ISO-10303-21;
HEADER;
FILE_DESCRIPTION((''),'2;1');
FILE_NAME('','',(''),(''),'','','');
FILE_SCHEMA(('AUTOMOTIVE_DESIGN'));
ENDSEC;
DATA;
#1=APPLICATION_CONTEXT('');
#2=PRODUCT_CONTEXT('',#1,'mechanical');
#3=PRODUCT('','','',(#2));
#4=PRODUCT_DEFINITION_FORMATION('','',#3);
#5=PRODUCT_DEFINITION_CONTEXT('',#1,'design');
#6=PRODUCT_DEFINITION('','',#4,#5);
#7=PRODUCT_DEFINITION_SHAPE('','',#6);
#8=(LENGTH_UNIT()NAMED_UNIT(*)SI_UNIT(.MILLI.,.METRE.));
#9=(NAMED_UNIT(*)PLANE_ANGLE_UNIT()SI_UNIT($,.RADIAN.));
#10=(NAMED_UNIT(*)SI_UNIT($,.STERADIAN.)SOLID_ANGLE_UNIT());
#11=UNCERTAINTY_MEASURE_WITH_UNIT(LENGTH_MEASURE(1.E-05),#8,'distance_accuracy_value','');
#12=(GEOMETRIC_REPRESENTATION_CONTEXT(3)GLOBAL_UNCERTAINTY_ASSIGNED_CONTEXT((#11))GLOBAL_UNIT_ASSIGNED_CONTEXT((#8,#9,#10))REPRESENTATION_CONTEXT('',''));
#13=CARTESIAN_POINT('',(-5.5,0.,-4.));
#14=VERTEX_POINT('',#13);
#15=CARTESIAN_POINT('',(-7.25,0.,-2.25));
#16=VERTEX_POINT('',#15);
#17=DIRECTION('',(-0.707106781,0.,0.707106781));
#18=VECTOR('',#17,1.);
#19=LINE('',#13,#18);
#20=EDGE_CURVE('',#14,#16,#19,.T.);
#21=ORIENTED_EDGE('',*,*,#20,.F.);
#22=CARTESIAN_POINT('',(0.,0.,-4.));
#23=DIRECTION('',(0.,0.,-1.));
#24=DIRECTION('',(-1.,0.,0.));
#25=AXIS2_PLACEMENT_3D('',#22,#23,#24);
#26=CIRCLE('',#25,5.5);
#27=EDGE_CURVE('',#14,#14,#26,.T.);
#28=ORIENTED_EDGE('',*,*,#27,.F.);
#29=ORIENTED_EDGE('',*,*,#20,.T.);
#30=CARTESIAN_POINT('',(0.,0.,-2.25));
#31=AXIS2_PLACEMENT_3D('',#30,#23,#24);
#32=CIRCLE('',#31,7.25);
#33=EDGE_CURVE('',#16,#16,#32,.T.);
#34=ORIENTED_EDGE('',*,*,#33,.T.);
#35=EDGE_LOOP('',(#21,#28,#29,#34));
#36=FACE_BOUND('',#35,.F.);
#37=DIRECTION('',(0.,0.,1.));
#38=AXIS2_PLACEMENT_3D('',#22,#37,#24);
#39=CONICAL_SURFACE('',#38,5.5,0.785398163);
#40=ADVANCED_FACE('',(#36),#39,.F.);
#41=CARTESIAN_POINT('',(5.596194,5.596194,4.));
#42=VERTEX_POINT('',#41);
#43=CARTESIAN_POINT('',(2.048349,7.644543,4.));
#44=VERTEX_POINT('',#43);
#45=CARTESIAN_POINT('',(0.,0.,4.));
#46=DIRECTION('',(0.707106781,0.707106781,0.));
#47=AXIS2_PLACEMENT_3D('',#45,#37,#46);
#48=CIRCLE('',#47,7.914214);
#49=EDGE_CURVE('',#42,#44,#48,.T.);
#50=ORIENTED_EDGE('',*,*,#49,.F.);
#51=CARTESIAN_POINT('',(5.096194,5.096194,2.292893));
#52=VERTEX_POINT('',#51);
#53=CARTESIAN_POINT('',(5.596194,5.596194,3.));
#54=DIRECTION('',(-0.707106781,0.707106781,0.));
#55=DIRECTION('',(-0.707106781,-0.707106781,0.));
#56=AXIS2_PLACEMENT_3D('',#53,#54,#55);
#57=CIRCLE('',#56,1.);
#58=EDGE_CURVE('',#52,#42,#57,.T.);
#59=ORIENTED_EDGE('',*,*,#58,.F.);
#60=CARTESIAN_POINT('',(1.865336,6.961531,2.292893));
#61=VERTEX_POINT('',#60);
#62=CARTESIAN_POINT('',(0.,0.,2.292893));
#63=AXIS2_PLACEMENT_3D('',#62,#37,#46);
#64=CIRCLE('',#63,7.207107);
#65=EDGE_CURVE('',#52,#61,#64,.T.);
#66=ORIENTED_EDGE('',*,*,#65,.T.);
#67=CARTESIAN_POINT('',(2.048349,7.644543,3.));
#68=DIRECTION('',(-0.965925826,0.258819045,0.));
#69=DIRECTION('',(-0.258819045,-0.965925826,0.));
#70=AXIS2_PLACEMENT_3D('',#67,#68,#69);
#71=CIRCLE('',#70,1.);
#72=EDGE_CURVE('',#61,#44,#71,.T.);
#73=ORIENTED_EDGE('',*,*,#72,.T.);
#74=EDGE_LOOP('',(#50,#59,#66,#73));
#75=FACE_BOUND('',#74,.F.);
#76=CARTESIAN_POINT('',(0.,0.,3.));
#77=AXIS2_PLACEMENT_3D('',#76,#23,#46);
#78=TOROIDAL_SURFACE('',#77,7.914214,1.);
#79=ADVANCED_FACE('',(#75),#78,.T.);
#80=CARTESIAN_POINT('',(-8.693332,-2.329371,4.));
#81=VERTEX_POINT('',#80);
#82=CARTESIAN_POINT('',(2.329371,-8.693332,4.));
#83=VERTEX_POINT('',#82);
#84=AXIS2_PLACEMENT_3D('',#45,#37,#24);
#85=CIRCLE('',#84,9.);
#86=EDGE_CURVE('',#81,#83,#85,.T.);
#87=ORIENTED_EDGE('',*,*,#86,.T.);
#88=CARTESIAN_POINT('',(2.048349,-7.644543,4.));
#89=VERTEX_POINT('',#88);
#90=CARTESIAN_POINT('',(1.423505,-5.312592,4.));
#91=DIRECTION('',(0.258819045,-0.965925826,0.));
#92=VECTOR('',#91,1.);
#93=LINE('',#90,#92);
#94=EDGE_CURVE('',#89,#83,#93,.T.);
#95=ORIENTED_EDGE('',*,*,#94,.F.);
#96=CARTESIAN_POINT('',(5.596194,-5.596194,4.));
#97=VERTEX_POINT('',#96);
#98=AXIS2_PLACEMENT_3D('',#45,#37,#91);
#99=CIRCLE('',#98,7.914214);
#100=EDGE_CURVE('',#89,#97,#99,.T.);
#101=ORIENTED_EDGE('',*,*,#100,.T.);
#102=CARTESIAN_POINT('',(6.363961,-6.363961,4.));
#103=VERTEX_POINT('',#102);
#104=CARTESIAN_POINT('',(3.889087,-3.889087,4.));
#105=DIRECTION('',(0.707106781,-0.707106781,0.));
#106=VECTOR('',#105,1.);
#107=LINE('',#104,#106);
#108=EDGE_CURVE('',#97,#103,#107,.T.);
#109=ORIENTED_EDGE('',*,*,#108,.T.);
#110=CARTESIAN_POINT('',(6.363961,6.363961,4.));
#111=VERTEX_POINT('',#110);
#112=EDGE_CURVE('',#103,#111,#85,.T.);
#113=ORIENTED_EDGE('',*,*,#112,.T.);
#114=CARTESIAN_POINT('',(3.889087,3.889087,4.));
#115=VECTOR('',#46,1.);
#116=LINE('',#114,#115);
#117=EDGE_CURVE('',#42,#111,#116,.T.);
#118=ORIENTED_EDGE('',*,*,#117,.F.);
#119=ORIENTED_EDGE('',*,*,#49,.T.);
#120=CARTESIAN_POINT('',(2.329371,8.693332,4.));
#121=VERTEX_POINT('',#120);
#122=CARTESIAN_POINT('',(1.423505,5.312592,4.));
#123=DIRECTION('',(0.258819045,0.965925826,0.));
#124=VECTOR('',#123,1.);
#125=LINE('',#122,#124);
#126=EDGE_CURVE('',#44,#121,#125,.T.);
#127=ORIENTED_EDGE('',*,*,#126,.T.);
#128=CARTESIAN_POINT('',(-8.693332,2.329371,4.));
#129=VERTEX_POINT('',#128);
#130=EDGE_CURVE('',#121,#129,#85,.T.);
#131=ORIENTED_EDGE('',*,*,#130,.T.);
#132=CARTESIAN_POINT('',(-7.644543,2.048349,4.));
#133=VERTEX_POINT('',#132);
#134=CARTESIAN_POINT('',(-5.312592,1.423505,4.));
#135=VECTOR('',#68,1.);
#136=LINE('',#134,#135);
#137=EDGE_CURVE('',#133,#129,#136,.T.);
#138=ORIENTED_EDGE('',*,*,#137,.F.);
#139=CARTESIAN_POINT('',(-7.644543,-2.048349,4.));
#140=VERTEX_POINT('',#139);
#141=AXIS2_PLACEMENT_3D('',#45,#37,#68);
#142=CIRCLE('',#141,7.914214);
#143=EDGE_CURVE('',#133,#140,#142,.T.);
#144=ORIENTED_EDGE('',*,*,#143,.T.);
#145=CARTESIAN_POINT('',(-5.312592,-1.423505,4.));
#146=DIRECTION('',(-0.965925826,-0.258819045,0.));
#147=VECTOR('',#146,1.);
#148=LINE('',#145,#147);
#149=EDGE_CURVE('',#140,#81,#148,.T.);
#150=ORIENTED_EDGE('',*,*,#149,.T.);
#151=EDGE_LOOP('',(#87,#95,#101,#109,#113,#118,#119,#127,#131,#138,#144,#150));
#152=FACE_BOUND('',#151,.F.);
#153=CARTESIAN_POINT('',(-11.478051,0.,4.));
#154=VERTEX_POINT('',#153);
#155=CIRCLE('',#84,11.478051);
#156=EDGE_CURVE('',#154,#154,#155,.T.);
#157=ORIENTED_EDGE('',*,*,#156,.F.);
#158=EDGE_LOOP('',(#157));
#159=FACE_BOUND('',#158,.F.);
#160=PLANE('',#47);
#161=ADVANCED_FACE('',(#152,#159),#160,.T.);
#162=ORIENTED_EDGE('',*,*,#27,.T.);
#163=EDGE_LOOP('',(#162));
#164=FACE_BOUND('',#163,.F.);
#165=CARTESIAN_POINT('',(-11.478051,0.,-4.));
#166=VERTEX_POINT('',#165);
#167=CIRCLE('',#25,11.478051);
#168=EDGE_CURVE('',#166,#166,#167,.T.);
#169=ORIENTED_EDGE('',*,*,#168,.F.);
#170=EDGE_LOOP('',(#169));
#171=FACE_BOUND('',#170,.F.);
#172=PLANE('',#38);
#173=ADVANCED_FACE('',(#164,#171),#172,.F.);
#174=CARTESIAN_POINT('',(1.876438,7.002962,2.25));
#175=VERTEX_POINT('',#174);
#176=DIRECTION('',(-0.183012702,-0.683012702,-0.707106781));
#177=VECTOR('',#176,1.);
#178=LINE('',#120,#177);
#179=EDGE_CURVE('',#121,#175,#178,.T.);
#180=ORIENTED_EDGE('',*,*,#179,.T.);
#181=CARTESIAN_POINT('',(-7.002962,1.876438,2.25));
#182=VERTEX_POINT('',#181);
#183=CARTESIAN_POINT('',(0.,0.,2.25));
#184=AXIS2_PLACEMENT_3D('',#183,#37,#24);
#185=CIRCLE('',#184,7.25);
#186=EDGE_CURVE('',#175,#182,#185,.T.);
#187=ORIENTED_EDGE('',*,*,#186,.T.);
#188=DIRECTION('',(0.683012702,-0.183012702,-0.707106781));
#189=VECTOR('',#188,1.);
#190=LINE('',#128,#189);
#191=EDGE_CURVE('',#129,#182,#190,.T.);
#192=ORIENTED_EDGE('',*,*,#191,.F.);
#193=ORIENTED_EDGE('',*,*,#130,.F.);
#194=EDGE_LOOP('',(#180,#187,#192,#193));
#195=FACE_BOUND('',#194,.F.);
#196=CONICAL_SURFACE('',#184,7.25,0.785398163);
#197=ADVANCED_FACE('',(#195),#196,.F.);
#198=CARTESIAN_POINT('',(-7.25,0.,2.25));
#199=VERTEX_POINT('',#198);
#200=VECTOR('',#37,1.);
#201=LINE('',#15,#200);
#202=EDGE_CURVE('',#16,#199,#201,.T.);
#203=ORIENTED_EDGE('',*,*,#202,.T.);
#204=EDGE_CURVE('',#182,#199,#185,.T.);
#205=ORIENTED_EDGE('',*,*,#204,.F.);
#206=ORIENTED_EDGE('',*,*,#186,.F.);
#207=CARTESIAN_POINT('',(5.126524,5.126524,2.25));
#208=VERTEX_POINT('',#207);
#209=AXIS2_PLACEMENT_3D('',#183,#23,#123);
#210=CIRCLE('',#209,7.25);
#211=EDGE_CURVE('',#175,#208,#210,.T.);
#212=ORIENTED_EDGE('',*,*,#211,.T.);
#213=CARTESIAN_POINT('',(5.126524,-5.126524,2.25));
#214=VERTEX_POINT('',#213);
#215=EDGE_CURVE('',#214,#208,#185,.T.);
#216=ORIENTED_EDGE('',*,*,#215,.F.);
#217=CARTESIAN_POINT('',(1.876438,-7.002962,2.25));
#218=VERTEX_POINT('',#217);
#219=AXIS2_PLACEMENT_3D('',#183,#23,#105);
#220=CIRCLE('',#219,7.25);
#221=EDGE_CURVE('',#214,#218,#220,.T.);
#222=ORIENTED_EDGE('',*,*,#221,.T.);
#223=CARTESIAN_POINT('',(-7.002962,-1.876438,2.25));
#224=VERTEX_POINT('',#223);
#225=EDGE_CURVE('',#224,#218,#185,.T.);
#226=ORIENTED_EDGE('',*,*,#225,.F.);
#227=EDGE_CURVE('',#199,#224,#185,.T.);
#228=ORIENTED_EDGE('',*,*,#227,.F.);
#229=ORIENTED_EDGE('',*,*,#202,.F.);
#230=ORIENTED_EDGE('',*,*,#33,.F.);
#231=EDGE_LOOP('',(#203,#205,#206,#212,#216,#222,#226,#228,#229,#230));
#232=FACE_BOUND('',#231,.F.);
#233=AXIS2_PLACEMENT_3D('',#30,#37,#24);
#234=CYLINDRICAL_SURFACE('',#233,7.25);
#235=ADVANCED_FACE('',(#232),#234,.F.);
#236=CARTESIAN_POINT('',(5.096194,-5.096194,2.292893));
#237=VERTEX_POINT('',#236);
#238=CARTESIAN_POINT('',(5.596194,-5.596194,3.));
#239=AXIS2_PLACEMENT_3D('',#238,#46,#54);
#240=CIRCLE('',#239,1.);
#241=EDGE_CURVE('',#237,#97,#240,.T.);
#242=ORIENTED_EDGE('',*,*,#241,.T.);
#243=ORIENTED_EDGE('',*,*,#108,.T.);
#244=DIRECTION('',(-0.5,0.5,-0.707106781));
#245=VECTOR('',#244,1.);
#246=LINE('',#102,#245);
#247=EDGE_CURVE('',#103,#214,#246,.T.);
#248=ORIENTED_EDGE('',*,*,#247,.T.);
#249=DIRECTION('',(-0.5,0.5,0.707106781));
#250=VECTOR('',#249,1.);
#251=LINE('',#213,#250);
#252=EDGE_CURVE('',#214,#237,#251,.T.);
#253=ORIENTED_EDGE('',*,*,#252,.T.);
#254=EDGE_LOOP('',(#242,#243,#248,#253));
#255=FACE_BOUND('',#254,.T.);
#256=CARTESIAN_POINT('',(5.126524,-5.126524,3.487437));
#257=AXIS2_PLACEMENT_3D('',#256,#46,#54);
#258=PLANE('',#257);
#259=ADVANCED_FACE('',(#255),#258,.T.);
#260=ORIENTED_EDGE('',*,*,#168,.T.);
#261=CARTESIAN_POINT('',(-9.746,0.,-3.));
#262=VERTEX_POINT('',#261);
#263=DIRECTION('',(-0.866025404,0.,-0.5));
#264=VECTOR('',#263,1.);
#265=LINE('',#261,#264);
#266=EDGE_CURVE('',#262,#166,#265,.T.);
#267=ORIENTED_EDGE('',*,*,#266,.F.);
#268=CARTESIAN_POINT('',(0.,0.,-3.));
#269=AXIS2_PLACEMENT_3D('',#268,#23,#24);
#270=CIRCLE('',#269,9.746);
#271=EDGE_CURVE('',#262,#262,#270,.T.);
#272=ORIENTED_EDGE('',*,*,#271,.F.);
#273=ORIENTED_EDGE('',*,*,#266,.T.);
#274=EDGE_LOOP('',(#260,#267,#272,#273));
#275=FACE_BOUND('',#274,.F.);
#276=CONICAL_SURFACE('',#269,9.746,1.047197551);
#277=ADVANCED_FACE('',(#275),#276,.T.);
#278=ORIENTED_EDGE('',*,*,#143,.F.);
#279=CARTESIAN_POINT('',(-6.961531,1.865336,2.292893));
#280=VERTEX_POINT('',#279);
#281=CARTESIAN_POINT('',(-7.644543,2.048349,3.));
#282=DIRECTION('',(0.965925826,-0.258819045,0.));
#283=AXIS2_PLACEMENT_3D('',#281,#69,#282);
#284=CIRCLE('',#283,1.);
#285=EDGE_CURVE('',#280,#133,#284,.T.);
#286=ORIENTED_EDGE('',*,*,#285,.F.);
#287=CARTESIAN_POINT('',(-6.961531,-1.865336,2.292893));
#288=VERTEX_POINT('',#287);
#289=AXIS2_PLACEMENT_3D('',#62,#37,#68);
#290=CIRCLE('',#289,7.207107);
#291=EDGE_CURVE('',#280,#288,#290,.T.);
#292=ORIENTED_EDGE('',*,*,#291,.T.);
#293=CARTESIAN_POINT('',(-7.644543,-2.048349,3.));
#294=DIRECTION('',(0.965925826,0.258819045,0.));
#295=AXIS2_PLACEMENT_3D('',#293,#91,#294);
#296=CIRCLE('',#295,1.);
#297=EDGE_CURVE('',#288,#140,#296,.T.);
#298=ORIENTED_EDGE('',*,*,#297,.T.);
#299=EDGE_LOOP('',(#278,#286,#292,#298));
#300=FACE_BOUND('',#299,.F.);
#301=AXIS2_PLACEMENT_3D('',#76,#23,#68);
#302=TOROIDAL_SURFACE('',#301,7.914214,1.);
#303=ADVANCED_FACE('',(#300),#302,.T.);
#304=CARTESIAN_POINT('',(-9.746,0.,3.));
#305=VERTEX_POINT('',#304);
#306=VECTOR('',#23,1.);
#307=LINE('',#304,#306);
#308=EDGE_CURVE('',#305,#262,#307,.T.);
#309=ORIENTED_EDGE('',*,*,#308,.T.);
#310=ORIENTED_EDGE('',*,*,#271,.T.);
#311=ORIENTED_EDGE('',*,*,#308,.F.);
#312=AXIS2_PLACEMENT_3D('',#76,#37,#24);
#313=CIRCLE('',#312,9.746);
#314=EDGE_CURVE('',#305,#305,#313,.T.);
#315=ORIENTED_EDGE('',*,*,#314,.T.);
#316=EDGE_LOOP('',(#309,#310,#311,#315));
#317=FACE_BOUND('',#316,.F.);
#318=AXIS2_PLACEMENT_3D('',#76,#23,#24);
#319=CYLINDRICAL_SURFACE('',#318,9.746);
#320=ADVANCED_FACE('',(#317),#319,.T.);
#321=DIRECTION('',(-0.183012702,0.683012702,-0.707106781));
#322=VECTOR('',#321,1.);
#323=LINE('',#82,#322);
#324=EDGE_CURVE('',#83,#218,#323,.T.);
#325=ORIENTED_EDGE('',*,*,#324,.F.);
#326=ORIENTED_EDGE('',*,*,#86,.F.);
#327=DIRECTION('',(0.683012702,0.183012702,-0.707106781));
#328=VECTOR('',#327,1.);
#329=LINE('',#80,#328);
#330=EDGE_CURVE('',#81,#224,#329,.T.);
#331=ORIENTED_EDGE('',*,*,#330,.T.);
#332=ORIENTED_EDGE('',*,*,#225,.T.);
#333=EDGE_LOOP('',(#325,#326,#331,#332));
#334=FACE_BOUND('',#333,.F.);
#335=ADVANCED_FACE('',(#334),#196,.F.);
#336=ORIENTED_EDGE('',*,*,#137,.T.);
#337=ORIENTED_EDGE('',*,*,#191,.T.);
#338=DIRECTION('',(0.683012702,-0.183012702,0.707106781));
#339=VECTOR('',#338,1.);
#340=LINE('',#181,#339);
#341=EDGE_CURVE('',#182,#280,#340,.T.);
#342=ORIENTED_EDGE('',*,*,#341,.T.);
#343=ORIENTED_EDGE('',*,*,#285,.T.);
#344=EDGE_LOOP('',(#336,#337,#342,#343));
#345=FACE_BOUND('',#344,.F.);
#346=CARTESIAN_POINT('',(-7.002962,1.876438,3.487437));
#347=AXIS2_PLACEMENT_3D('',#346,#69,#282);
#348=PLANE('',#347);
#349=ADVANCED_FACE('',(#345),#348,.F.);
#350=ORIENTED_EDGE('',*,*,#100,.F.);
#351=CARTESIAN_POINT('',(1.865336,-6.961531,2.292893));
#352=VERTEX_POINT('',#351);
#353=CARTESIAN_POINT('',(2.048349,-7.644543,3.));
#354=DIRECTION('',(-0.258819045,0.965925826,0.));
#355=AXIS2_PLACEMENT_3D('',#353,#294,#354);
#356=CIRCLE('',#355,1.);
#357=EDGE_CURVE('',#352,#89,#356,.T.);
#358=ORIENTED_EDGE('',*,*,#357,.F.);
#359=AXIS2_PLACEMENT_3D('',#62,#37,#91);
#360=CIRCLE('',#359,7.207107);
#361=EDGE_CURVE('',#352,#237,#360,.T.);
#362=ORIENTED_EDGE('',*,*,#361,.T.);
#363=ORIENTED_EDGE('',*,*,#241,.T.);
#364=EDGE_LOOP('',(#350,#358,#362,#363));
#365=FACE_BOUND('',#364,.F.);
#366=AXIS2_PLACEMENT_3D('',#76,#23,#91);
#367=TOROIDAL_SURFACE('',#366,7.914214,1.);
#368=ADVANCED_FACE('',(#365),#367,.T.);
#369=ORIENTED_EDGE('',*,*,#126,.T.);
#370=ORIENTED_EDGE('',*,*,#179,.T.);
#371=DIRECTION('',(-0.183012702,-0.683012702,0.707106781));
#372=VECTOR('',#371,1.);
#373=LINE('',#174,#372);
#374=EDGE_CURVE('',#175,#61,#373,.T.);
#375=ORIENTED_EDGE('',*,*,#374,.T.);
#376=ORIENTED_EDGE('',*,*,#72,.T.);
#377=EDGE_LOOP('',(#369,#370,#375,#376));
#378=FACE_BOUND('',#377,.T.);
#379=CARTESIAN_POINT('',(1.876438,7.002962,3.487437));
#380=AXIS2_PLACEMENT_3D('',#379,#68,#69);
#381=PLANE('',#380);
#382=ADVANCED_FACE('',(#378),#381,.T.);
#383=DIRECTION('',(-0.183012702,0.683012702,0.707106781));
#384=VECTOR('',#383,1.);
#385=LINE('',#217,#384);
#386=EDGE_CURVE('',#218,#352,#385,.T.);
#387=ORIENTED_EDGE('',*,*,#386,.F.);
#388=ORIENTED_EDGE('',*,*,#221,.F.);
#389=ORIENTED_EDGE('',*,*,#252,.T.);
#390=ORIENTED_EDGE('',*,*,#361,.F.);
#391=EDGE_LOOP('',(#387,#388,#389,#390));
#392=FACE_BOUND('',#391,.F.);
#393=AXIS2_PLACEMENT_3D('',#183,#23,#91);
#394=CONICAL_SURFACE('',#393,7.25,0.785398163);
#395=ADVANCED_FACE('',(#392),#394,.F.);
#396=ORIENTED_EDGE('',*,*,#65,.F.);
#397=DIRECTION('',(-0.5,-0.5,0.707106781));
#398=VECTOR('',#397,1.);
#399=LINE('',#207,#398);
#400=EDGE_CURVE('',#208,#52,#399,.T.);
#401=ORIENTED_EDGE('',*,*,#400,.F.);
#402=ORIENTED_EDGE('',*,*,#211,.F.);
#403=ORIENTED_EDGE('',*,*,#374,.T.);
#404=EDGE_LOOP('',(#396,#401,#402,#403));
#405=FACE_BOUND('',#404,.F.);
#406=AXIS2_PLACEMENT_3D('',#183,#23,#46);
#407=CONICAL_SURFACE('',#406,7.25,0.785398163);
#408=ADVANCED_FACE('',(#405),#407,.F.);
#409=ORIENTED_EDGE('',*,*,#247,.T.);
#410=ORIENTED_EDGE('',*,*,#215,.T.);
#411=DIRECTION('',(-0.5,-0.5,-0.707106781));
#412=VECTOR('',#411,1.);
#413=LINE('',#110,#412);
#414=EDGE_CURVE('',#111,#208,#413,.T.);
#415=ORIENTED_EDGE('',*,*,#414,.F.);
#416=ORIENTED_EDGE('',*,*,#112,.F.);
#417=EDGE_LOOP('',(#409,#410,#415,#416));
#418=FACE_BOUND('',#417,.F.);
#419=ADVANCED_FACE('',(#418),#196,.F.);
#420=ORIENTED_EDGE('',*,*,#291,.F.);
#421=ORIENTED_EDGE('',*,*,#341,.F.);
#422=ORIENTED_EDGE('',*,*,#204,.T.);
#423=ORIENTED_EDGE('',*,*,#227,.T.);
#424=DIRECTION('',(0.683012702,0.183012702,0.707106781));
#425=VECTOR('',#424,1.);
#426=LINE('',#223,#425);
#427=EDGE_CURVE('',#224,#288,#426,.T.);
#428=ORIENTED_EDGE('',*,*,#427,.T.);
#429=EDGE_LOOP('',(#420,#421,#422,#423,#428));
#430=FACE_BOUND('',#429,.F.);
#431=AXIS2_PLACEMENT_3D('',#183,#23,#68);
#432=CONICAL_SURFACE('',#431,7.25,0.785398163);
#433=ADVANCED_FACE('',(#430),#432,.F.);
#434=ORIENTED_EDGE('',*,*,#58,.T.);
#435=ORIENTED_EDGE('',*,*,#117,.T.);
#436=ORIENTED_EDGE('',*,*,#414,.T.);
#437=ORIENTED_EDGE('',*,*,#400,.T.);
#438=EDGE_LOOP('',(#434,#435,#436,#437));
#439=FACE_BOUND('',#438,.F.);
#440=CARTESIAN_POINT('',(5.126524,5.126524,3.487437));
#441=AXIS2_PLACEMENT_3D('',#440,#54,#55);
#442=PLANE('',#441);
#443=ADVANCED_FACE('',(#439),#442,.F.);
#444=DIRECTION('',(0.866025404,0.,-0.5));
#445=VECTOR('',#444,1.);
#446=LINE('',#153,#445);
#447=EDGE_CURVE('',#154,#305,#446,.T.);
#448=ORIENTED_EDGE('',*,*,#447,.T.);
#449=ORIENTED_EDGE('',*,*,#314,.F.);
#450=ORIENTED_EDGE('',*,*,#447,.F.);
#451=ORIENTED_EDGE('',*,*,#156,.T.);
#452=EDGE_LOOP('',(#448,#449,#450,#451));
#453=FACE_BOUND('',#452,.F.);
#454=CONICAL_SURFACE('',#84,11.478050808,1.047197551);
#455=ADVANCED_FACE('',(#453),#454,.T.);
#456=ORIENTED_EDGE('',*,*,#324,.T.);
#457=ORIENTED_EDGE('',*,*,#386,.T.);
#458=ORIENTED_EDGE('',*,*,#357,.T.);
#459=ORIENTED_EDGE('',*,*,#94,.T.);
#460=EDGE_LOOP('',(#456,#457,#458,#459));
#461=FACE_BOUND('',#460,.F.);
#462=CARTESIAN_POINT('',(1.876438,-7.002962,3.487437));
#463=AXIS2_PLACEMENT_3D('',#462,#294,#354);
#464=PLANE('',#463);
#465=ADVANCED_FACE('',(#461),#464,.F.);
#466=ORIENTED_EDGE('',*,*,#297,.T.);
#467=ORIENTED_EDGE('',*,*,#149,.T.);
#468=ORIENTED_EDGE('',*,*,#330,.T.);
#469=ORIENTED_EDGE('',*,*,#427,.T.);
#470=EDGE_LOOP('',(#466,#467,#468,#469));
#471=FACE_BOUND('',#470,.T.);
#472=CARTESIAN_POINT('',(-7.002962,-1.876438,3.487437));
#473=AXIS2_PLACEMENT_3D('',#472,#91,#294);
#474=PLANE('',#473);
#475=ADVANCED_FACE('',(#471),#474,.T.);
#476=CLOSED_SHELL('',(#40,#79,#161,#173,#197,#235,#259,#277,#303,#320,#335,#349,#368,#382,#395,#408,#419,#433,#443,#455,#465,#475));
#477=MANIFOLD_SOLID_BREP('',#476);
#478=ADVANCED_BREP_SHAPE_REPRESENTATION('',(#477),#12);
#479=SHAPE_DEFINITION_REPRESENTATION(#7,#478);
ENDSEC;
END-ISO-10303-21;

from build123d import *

# Parameters (mm, degrees)
F2_ANGLE_BACK = 15
F2_ANGLE      = 30
F3_COUNT      = 3
F4_R          = 1


with BuildPart() as f1:
    # F0 (on Front) → F1 (revolve)
    with BuildSketch(Plane.XZ):
        Polygon((-7.25, -2.25), (-7.25, 2.25), (-9, 4), (-11.4780508076, 4), (-9.746, 3), (-9.746, -3), (-11.4780508076, -4), (-5.5, -4), align=None)
    revolve(axis=Axis((0, 0, 0), (0, 0, 1)))

    # F0 (on Front) → F2 (revolve)
    with BuildSketch(Plane.XZ, mode=Mode.PRIVATE) as f2_sk:
        Polygon((-9, 4), (-7.25, 2.25), (-5.5, 4), align=None)
    revolve(f2_sk.sketch.rotate(Axis((0, 0, 0), (0, 0, 1)), -F2_ANGLE_BACK), axis=Axis((0, 0, 0), (0, 0, 1)), revolution_arc=F2_ANGLE)

    # F3: F1 ×3 about axis
    f3_axis = Axis((0, 0, 0), (0, 0, 1))


with BuildPart() as f1_1:
    add(f1.part)
    for i in range(1, F3_COUNT):
        add(f1.part.rotate(f3_axis, i * 360 / F3_COUNT))

    # F4
    f4_edges = [f1_1.edges().sort_by_distance(p)[0] for p in [
        (2.75, 4.76314, 4),
        (-5.5, 0, 4),
        (2.75, -4.76314, 4),
    ]]
    fillet(f4_edges, radius=F4_R)


solid = f1_1.part
